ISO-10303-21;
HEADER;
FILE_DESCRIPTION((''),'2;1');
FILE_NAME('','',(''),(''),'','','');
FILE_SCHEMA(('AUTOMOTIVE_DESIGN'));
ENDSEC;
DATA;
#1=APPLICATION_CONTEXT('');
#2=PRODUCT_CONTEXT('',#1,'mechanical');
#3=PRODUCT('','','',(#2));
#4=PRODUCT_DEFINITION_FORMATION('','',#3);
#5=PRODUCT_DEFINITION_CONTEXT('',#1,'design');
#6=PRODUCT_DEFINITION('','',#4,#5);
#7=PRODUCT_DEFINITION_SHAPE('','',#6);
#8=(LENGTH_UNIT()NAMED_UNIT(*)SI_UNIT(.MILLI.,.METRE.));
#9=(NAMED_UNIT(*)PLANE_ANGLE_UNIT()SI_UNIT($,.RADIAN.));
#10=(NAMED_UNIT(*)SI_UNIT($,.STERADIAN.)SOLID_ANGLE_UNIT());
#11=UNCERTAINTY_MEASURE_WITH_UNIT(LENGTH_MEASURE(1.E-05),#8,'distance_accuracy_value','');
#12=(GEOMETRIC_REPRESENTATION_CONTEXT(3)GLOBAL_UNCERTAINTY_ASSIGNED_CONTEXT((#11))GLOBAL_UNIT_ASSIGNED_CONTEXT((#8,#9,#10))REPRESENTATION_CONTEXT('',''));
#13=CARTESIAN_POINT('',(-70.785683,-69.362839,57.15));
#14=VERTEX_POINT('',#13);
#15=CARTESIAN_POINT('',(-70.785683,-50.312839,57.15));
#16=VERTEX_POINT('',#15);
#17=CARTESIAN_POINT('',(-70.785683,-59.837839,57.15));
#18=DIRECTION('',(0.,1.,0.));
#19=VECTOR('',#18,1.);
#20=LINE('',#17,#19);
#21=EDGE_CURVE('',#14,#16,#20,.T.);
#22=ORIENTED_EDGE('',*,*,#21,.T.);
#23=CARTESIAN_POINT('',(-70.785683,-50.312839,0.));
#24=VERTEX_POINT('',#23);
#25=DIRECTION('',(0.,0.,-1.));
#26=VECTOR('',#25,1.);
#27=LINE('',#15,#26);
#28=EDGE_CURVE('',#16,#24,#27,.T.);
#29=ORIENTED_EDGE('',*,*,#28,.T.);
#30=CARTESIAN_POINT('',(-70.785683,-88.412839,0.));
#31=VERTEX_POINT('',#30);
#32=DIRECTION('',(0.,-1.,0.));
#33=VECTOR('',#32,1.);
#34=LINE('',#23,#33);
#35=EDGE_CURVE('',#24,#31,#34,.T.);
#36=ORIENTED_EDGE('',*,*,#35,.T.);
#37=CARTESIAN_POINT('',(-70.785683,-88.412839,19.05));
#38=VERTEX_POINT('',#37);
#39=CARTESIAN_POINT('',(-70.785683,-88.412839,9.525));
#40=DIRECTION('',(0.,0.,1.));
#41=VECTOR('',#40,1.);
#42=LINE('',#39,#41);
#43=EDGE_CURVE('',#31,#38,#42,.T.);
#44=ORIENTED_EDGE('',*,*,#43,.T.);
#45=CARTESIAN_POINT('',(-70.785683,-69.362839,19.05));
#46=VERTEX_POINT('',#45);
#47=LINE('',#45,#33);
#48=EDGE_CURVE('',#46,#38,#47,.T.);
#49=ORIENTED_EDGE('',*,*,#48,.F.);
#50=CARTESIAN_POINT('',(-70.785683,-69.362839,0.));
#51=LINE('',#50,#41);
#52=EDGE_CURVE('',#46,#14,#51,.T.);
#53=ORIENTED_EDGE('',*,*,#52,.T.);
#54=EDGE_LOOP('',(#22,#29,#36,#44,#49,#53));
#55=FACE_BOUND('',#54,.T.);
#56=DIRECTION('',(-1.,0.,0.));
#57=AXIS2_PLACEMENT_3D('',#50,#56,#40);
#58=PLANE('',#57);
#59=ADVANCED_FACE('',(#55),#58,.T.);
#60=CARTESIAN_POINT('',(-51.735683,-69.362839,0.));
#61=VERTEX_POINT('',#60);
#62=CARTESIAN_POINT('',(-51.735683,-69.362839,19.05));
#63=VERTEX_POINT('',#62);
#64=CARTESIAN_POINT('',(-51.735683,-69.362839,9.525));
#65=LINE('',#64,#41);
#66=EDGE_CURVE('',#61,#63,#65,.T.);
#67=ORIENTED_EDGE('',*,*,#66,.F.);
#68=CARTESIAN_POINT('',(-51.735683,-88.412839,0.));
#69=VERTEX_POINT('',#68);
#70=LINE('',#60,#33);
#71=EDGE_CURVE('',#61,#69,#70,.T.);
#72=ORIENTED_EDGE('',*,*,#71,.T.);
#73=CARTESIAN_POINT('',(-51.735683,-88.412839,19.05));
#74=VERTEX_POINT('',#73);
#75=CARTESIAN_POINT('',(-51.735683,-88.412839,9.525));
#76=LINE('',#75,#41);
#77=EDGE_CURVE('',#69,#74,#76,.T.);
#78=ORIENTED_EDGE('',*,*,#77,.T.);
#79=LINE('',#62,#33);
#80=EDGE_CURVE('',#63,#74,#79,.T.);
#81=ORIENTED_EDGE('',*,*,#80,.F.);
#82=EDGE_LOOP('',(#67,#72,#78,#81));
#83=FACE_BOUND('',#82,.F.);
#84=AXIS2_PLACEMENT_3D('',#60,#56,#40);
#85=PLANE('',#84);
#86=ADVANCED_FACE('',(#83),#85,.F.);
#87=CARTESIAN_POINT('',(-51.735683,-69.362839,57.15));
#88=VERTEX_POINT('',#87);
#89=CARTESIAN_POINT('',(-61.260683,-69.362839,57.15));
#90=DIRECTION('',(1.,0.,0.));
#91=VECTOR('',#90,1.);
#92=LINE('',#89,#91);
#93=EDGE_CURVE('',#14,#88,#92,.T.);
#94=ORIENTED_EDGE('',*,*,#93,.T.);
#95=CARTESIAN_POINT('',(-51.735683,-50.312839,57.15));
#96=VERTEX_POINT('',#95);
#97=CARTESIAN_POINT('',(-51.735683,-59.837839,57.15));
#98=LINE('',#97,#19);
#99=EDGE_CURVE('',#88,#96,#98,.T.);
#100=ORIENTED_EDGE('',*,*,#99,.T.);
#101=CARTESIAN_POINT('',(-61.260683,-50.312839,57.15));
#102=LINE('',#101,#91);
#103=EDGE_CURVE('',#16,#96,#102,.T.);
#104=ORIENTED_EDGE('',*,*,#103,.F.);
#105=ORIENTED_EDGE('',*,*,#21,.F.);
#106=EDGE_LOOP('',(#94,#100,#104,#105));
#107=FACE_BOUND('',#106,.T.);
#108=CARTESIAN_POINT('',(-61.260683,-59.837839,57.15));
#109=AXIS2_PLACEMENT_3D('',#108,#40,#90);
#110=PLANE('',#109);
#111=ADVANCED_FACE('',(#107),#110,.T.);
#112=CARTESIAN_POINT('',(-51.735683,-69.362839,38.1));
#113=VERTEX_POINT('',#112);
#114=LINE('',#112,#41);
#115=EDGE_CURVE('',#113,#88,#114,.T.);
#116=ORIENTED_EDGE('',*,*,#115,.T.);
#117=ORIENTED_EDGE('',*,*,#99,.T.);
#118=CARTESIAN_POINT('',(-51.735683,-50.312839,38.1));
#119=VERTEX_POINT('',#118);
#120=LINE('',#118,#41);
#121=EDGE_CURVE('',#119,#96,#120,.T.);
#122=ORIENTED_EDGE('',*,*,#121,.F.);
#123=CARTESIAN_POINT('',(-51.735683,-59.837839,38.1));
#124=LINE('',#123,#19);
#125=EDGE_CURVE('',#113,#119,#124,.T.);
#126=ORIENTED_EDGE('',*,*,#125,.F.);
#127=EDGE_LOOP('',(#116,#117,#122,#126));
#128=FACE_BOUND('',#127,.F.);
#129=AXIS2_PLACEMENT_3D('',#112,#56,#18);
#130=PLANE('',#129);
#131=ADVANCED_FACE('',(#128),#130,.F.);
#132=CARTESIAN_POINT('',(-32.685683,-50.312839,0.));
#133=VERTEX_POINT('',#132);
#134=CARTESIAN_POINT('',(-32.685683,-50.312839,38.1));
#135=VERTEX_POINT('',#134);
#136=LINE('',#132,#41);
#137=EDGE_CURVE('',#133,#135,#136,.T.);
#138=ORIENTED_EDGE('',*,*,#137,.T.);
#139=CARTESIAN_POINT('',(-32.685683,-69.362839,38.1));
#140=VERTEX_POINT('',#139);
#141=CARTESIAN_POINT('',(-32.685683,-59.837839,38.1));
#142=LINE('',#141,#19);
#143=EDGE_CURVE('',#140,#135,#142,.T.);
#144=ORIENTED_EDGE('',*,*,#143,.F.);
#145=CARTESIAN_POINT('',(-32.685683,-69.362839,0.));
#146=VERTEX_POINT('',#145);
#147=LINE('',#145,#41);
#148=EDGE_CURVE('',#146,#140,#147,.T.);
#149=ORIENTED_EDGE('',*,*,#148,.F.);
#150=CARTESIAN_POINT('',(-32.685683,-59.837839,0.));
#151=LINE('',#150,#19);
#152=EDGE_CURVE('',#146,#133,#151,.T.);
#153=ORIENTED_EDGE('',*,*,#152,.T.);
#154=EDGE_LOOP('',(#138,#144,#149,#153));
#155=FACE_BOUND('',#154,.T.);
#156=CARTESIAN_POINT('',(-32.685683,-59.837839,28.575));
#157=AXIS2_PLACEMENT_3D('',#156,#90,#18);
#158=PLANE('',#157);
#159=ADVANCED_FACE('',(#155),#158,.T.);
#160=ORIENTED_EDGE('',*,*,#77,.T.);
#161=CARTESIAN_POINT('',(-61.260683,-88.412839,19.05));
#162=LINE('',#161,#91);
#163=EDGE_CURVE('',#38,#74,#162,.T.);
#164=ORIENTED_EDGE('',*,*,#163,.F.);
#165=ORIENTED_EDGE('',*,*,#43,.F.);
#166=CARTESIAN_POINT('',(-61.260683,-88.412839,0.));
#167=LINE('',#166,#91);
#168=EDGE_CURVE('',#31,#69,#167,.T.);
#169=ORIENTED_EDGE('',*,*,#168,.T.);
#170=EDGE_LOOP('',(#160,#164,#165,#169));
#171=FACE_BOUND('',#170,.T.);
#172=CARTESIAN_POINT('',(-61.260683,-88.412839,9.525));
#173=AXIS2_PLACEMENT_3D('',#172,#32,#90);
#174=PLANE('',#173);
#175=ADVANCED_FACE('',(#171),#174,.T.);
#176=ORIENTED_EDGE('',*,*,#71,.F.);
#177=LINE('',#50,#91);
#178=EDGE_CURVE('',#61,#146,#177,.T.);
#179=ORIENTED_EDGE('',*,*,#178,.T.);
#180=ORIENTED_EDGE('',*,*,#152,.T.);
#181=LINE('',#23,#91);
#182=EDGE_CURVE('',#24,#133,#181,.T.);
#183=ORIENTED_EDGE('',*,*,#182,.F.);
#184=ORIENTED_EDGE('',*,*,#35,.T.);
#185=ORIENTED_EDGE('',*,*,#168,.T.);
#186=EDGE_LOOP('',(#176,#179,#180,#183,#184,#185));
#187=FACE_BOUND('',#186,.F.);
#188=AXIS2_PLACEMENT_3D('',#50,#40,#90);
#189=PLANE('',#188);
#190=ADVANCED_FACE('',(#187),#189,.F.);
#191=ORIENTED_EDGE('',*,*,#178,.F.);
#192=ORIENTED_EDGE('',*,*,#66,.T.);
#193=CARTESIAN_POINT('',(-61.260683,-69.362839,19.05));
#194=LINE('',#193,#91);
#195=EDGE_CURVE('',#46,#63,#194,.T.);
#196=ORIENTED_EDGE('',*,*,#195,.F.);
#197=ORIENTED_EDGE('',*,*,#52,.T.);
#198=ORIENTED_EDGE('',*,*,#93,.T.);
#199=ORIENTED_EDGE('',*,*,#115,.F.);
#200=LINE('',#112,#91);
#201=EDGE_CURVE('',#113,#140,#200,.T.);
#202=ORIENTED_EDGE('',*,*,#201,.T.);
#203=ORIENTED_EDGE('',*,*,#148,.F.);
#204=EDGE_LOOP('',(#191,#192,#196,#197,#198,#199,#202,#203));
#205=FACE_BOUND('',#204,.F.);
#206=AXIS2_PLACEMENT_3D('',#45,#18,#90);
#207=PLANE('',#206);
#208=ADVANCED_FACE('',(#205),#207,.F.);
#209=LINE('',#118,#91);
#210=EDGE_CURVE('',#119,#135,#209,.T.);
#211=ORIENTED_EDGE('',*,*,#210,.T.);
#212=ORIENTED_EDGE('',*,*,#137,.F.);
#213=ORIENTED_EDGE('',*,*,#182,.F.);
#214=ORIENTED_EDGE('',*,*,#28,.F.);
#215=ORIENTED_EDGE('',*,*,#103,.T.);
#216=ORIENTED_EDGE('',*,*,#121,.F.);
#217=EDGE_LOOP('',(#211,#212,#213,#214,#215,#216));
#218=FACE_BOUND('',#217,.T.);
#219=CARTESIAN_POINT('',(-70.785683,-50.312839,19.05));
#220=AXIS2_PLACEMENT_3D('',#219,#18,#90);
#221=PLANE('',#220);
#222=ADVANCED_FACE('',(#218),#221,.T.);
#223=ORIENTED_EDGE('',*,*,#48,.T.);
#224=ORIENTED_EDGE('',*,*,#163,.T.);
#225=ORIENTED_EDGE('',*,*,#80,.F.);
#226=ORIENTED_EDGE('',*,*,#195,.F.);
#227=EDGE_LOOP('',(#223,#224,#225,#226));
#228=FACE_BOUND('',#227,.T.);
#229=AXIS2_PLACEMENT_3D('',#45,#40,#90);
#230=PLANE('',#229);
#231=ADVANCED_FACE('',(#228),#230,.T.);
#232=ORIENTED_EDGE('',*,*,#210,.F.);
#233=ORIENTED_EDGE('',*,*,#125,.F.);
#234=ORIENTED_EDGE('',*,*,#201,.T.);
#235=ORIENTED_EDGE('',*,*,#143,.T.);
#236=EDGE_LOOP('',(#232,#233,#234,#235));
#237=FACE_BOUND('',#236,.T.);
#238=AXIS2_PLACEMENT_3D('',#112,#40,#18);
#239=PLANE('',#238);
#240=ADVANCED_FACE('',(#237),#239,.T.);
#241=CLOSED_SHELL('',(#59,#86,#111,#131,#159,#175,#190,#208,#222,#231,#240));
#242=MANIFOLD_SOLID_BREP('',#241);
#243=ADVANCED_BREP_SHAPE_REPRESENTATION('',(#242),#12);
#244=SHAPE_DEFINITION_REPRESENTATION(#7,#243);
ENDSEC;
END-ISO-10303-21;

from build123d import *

# Parameters (mm, degrees)
F0_W      = 19.05
F0_H      = 19.05
F1_DEPTH  = 19.05
F2_W      = 19.05
F2_H      = 19.05
F3_DEPTH  = 19.05
F4_W      = 19.05
F4_H      = 19.05
F5_DEPTH  = 19.05
F6_W      = 19.05
F6_H      = 19.05
F7_DEPTH  = 19.05
F8_W      = 19.05
F8_H      = 19.05
F9_DEPTH  = 19.05
F10_W     = 19.05
F10_H     = 19.05
F11_DEPTH = 19.05


with BuildPart() as f1:
    # F0 (on Top) → F1 (new body)
    with BuildSketch(Plane.XY):
        with Locations((-61.260683, -59.837839)):
            Rectangle(F0_W, F0_H)
    extrude(amount=F1_DEPTH)

    # F2 (on face) → F3 (join)
    with BuildSketch(Plane.YZ.offset(-51.735683)):
        with Locations((-59.837839, 9.525)):
            Rectangle(F2_W, F2_H)
    extrude(amount=F3_DEPTH)



with BuildPart() as f5:
    # F4 (on face) → F5 (new body)
    with BuildSketch(Plane.XY.offset(38.1)):
        with Locations((-61.260683, -59.837839)):
            Rectangle(F4_W, F4_H)
    extrude(amount=F5_DEPTH)


with BuildPart() as f1_1:
    add(f1.part)

    add(f5.part)  # F7 merges F5
    # F6 (on face) → F7 (join)
    with BuildSketch(Plane.YZ.offset(-51.735683)):
        with Locations((-59.837839, 28.575)):
            Rectangle(F6_W, F6_H)
    extrude(amount=F7_DEPTH)

    # F8 (on face) → F9 (join)
    with BuildSketch(Plane.XY.offset(19.05)):
        with Locations((-61.260683, -59.837839)):
            Rectangle(F8_W, F8_H)
    extrude(amount=F9_DEPTH)

    # F10 (on face) → F11 (join)
    with BuildSketch(Plane.XZ.offset(69.362839)):
        with Locations((-61.260683, 9.525)):
            Rectangle(F10_W, F10_H)
    extrude(amount=F11_DEPTH)


solid = f1_1.part
